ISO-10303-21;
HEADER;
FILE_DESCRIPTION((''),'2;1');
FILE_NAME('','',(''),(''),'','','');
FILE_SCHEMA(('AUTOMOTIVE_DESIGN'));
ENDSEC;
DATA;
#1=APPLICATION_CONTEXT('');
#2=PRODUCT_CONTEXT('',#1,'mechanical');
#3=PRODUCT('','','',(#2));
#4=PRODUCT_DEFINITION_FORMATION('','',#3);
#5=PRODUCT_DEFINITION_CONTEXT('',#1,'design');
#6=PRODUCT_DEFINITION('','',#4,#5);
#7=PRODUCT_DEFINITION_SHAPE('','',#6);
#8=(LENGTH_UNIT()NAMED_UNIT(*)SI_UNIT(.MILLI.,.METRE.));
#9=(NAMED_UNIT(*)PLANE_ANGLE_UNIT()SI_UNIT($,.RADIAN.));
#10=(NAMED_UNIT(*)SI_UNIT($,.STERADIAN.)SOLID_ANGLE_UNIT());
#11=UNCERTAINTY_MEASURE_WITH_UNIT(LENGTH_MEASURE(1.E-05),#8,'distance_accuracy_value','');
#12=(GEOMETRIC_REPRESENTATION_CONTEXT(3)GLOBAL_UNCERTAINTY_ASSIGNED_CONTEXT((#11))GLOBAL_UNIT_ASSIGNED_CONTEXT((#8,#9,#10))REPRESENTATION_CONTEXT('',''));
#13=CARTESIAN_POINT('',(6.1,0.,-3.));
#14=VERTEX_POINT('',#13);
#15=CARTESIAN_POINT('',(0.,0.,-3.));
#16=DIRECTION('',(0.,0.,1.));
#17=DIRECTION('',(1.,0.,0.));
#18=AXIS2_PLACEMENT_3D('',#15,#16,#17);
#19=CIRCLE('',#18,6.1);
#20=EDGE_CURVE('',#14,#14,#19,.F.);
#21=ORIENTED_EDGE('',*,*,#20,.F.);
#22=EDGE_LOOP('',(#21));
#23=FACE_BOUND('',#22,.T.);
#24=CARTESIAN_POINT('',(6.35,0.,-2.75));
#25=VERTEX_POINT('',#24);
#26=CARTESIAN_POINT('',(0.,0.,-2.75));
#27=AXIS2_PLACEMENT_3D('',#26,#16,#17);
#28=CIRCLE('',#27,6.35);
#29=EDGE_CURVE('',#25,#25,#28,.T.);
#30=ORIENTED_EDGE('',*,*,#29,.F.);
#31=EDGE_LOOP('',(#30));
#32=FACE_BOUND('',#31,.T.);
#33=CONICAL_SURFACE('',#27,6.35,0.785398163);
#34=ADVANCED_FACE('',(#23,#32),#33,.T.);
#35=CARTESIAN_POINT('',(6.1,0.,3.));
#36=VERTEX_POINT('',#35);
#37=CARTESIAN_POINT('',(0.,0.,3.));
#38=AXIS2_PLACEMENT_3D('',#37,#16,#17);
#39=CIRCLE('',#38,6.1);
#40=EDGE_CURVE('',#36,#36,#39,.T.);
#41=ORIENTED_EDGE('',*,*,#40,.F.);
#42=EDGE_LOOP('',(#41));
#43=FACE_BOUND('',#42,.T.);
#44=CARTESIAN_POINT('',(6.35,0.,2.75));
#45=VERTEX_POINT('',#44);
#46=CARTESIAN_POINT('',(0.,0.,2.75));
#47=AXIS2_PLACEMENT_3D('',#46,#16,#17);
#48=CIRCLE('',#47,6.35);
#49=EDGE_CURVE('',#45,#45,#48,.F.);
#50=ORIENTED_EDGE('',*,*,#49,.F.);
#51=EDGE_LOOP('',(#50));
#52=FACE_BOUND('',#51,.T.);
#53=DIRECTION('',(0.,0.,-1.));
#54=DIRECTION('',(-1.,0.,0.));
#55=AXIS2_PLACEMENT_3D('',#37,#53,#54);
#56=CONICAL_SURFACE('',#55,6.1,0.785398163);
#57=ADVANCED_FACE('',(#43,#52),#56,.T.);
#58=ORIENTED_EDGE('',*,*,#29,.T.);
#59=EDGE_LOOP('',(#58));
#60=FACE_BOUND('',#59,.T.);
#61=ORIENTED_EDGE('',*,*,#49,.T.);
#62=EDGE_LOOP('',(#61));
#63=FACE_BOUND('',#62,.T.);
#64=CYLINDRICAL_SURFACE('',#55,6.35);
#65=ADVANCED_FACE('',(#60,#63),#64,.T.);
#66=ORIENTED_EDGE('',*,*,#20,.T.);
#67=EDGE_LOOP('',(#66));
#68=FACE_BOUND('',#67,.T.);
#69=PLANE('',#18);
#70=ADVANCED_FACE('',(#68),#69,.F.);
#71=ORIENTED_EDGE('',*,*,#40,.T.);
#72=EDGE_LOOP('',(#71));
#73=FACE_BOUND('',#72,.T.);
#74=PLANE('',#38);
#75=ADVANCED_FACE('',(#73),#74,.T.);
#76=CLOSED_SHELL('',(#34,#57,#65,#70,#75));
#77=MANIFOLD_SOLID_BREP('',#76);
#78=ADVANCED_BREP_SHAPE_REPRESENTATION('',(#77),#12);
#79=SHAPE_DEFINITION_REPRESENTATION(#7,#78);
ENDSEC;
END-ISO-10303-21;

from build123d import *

# Parameters (mm, degrees)
SKETCH18_R          = 6.35
BOSS_EXTRUDE2_DEPTH = 3
CHAMFER4_SIZE       = 0.25


with BuildPart() as part:
    # Sketch18 → Boss-Extrude2 (new body, symmetric)
    with BuildSketch(Plane.XY):
        Circle(SKETCH18_R)
    extrude(amount=BOSS_EXTRUDE2_DEPTH, both=True)

    # Chamfer4
    chamfer4_edges = [part.edges().sort_by_distance(p)[0] for p in [
        (-6.35, 0, -3),
        (-6.35, 0, 3),
    ]]
    chamfer(chamfer4_edges, length=CHAMFER4_SIZE)


solid = part.part
